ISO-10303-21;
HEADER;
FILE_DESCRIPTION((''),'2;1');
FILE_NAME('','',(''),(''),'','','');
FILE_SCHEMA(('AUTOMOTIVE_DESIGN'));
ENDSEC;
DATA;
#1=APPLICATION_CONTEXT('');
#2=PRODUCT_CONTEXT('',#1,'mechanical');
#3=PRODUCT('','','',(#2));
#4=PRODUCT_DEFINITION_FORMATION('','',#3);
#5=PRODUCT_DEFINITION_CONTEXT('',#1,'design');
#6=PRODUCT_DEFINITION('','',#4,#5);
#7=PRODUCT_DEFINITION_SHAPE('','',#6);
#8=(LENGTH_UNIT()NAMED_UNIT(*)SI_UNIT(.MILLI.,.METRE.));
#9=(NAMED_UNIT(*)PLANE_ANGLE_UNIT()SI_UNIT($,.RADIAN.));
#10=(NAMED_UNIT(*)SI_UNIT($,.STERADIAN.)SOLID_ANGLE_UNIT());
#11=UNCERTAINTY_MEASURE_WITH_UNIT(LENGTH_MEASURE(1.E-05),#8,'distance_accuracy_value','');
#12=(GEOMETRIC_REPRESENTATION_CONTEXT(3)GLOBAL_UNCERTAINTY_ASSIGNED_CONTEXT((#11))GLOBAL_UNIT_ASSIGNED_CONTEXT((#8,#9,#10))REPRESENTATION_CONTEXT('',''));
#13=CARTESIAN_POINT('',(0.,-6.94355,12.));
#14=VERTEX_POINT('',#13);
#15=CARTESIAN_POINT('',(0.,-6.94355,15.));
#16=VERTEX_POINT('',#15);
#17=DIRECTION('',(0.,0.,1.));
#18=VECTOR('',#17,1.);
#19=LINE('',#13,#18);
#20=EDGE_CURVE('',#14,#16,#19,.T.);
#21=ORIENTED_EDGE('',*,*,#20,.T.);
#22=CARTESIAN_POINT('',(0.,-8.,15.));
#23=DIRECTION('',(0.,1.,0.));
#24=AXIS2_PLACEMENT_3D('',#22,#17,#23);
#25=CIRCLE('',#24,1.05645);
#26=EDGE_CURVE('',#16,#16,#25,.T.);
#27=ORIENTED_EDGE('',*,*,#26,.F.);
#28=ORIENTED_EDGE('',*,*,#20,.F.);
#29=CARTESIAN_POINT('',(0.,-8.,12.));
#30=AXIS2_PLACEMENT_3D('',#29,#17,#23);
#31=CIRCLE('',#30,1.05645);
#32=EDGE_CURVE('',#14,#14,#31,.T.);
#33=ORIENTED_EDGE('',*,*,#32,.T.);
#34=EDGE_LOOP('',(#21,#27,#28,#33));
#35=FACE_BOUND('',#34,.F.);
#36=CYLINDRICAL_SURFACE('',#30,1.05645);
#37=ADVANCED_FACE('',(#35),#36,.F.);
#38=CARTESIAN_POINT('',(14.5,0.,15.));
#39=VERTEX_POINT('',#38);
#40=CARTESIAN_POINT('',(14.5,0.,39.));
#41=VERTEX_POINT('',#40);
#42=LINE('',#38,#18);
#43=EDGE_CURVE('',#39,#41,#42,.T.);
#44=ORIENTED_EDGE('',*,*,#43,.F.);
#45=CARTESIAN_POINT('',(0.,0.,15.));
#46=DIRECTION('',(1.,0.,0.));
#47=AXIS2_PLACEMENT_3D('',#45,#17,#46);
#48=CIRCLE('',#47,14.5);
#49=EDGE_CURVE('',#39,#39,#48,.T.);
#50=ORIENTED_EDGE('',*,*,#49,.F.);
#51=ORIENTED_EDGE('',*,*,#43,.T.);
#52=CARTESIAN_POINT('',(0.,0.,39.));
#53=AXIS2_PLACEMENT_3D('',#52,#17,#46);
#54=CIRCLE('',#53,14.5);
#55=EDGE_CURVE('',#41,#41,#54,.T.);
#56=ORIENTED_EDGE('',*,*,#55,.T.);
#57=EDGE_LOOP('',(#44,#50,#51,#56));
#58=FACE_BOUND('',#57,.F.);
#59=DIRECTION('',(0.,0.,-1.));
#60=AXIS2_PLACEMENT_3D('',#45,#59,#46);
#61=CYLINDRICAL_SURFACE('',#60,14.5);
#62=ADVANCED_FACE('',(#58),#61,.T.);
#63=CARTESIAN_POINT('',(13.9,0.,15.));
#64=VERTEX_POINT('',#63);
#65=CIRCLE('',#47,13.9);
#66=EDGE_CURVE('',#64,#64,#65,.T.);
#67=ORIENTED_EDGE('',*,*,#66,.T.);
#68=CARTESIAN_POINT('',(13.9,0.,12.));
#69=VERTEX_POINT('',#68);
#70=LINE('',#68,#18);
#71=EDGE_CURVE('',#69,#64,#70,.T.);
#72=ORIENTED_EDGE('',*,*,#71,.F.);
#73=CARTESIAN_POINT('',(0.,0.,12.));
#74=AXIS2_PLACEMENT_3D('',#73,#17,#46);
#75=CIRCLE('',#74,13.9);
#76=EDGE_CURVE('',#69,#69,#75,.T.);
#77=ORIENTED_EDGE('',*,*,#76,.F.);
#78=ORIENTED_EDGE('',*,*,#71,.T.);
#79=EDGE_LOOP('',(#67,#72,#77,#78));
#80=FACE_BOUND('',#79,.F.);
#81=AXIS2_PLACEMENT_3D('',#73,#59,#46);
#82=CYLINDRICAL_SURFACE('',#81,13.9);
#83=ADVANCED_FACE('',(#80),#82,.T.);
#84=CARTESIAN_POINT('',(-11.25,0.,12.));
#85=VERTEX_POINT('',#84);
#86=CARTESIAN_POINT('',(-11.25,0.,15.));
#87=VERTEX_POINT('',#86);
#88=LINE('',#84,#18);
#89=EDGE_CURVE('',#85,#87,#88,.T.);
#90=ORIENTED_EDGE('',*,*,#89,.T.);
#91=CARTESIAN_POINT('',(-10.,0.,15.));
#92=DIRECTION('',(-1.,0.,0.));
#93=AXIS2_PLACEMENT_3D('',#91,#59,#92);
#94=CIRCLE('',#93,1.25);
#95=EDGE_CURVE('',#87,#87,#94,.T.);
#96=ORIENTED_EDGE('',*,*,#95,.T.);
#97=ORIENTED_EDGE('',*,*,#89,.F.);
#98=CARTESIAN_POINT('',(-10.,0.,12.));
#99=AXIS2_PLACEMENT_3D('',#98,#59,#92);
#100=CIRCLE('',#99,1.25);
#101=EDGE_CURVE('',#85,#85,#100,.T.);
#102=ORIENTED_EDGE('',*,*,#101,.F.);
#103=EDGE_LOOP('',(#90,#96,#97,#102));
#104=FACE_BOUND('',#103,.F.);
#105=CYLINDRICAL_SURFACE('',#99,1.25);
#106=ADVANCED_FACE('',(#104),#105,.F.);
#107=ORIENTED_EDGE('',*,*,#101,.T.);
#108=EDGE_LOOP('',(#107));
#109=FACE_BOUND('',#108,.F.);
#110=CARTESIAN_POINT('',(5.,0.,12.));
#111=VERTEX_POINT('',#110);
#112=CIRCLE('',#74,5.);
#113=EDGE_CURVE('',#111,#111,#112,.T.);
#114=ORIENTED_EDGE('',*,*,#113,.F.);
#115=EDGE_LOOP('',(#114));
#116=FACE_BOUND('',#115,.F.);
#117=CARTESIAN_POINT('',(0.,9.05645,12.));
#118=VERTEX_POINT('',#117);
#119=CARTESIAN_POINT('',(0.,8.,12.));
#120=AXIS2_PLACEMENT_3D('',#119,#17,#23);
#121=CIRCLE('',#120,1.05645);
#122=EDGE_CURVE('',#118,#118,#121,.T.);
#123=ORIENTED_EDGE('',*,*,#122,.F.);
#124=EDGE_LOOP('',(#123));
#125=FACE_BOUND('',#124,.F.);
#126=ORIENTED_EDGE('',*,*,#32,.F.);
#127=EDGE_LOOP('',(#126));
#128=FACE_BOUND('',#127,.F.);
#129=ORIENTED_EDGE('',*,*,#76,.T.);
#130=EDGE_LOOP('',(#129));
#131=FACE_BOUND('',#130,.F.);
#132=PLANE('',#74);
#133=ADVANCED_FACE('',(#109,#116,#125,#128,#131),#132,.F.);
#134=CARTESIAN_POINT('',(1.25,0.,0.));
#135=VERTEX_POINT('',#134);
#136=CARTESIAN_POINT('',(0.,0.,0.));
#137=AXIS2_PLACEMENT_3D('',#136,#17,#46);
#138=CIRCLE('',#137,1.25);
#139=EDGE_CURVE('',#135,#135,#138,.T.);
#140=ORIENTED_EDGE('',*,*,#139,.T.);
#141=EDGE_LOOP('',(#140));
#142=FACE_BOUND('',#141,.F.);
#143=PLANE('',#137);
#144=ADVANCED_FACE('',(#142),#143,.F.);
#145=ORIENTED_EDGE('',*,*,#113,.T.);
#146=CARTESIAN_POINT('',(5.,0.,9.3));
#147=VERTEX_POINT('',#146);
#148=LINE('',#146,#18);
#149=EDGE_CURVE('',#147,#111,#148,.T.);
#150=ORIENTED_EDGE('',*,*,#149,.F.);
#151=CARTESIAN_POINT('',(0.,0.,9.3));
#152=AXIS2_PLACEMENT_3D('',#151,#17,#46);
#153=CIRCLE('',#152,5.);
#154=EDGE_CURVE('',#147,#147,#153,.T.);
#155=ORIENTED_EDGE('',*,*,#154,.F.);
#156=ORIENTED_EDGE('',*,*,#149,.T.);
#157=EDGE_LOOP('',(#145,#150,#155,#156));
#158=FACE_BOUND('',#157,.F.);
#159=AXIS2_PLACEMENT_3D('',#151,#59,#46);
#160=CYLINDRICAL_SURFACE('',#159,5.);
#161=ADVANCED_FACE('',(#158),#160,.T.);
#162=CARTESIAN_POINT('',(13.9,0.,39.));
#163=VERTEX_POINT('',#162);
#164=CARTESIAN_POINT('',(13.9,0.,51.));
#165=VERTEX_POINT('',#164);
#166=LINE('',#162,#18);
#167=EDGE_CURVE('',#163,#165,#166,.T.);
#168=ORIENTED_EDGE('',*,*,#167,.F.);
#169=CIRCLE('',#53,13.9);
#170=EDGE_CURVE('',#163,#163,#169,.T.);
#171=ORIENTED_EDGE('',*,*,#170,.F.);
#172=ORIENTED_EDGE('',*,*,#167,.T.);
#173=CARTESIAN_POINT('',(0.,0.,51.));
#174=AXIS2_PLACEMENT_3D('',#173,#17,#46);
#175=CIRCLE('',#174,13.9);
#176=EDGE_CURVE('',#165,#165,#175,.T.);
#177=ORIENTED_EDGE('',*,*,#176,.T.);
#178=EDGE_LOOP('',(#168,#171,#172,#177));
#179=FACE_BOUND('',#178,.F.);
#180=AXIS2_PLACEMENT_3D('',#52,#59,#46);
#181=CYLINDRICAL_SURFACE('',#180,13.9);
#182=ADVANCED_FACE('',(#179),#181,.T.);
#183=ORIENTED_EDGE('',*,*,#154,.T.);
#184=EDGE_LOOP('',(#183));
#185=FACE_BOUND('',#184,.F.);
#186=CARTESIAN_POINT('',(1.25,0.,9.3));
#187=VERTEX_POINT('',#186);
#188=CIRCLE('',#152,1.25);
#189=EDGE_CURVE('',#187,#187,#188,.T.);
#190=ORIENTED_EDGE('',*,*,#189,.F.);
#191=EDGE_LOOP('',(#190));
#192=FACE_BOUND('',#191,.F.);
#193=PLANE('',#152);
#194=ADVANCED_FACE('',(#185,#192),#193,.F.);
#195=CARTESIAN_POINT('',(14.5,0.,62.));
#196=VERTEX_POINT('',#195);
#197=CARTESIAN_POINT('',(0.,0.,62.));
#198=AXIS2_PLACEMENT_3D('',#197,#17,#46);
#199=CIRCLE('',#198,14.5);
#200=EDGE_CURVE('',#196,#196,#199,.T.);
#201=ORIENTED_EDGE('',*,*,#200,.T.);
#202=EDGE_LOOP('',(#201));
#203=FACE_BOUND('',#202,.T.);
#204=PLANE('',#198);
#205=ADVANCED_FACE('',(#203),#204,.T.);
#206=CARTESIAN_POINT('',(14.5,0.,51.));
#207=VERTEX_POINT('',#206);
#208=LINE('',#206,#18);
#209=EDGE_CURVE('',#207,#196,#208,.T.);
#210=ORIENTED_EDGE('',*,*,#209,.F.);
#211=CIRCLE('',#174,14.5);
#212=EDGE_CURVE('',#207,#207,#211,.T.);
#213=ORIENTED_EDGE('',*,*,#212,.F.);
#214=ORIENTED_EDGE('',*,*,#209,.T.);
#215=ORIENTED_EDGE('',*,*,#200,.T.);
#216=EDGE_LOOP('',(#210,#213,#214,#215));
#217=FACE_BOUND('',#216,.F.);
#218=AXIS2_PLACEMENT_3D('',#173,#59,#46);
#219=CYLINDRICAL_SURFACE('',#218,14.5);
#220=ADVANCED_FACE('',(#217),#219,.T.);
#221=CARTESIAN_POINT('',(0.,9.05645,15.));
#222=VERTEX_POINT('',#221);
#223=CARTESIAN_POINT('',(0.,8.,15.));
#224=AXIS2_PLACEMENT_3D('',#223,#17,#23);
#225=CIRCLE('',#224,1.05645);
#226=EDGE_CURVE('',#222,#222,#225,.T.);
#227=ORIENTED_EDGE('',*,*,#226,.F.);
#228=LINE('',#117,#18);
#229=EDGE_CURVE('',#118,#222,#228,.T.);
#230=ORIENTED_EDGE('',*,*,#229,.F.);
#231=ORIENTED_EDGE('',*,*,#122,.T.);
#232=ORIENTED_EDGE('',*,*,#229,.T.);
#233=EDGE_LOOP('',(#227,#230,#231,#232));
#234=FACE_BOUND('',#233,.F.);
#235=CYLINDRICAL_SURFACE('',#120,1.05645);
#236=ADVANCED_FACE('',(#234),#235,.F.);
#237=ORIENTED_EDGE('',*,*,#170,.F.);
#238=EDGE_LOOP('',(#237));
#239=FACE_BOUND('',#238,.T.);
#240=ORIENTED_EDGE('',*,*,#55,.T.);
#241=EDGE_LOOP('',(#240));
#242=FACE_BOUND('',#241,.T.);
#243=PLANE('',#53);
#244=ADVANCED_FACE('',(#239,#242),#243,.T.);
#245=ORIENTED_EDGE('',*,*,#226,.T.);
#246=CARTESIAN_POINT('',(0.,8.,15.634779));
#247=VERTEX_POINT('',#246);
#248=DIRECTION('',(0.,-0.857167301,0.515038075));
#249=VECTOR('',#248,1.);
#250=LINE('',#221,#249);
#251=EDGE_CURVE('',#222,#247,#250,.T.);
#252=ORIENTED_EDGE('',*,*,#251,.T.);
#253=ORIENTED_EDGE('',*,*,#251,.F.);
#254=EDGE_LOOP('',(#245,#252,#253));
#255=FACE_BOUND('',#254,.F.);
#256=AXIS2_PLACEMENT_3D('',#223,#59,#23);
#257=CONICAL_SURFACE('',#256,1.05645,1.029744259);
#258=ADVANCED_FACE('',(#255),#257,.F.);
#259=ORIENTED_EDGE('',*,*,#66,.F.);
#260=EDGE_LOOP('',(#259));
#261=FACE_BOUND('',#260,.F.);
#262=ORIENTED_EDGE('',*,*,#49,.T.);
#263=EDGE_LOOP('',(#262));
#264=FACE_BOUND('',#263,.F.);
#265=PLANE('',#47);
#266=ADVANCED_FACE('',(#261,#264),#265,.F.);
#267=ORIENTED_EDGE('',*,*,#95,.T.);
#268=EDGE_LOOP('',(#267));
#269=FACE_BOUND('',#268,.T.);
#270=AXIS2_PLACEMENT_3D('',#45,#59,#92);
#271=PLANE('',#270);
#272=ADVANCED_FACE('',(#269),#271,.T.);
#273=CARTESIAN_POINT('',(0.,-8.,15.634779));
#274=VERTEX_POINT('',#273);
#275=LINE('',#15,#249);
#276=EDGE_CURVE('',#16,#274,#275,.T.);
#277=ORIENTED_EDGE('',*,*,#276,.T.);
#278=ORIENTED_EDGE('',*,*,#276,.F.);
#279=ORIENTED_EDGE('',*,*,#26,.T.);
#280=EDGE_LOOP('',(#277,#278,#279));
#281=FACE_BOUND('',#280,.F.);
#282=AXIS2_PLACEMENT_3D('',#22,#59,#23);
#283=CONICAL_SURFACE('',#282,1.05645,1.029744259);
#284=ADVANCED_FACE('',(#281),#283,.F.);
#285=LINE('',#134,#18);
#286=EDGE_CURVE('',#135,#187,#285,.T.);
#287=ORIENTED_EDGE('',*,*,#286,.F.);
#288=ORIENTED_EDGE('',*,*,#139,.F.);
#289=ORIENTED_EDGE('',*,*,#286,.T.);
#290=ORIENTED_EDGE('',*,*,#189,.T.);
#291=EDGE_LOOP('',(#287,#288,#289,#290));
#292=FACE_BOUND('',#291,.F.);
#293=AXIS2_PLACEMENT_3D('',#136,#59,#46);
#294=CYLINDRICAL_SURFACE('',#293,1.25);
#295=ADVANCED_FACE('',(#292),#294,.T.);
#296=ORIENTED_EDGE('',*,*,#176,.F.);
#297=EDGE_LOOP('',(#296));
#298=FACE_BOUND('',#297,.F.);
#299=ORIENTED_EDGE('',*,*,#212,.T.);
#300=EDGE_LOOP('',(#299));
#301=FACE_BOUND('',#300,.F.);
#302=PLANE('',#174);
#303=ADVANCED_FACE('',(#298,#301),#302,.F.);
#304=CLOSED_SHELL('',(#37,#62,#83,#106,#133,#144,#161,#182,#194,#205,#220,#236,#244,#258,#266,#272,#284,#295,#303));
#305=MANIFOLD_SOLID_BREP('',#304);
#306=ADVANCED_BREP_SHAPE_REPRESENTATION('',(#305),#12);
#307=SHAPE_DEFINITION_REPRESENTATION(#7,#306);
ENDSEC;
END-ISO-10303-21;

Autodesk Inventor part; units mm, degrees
ref_plane "YZ Plane" through (0, 0, 0) normal (1, 0, 0) x (0, 1, 0)
ref_plane "XZ Plane" through (0, 0, 0) normal (0, 1, 0) x (-1, 0, 0)
ref_plane "XY Plane" through (0, 0, 0) normal (0, 0, 1) x (1, 0, 0)
sketch "スケッチ1" plane through (0, 0, 0) normal (0, 0, 1) x (1, 0, 0)
  circle A0 centre (0, 0) radius 1.25
  dimension "d0" = 2.5
extrude "押し出し1" add sketch "スケッチ1" along normal blind 9.3
sketch "スケッチ2" plane through (0, 0, 9.3) normal (0, 0, 1) x (1, 0, 0)
  circle A0 centre (0, 0) radius 5
  dimension "d3" = 10
extrude "押し出し2" add sketch "スケッチ2" along normal blind 2.7
sketch "スケッチ3" plane through (0, 0, 12) normal (0, 0, 1) x (1, 0, 0)
  circle A0 centre (0, 0) radius 5 projected
  circle A1 centre (0, 0) radius 13.9
  dimension "d6" = 27.8
extrude "押し出し3" add sketch "スケッチ3" along normal blind 3 contours A0 | A1
sketch "スケッチ4" plane through (0, 0, 15) normal (0, 0, 1) x (1, 0, 0)
  circle A0 centre (0, 0) radius 1.25 projected
  circle A1 centre (0, 0) radius 14.5
  dimension "d9" = 29
extrude "押し出し4" add sketch "スケッチ4" along normal blind 24 contours A0 | A1
sketch "スケッチ5" plane through (0, 0, 39) normal (0, 0, 1) x (1, 0, 0)
  circle A0 centre (0, 0) radius 13.9
  dimension "d12" = 27.8
extrude "押し出し5" add sketch "スケッチ5" along normal blind 12
sketch "スケッチ6" plane through (0, 0, 51) normal (0, 0, 1) x (1, 0, 0)
  circle A0 centre (0, 0) radius 14.5
  dimension "d15" = 29
extrude "押し出し6" add sketch "スケッチ6" along normal blind 11
sketch "スケッチ7" plane through (0, 0, 12) normal (0, 0, -1) x (-1, 0, 0)
  point P0 (0, 0)
  point P1 (0, -8)
  point P2 (0, 8)
  dimension "d18" = 16
  dimension "d19" = 8
hole "穴1" at (0, -8, 12) at (0, 8, 12) direction (0, 0, 1) diameter 2.1129 depth 3 tip angle 118 thread size "M2.6x0.45" class "6H" standard "ANSI Metric M Profile"
sketch "スケッチ8" plane through (0, 0, 12) normal (0, 0, -1) x (-1, 0, 0)
  circle A0 centre (10, 0) radius 1.25
  point P0 (0, 0)
  dimension "d27" = 2.5
  dimension "d28" = 10
extrude "押し出し7" cut sketch "スケッチ8" against normal blind 3
equation "\"d19\" = 0.5 * d18"
properties part number "RD008_モータ(DMN29)" material "鉄、鋳鉄"
